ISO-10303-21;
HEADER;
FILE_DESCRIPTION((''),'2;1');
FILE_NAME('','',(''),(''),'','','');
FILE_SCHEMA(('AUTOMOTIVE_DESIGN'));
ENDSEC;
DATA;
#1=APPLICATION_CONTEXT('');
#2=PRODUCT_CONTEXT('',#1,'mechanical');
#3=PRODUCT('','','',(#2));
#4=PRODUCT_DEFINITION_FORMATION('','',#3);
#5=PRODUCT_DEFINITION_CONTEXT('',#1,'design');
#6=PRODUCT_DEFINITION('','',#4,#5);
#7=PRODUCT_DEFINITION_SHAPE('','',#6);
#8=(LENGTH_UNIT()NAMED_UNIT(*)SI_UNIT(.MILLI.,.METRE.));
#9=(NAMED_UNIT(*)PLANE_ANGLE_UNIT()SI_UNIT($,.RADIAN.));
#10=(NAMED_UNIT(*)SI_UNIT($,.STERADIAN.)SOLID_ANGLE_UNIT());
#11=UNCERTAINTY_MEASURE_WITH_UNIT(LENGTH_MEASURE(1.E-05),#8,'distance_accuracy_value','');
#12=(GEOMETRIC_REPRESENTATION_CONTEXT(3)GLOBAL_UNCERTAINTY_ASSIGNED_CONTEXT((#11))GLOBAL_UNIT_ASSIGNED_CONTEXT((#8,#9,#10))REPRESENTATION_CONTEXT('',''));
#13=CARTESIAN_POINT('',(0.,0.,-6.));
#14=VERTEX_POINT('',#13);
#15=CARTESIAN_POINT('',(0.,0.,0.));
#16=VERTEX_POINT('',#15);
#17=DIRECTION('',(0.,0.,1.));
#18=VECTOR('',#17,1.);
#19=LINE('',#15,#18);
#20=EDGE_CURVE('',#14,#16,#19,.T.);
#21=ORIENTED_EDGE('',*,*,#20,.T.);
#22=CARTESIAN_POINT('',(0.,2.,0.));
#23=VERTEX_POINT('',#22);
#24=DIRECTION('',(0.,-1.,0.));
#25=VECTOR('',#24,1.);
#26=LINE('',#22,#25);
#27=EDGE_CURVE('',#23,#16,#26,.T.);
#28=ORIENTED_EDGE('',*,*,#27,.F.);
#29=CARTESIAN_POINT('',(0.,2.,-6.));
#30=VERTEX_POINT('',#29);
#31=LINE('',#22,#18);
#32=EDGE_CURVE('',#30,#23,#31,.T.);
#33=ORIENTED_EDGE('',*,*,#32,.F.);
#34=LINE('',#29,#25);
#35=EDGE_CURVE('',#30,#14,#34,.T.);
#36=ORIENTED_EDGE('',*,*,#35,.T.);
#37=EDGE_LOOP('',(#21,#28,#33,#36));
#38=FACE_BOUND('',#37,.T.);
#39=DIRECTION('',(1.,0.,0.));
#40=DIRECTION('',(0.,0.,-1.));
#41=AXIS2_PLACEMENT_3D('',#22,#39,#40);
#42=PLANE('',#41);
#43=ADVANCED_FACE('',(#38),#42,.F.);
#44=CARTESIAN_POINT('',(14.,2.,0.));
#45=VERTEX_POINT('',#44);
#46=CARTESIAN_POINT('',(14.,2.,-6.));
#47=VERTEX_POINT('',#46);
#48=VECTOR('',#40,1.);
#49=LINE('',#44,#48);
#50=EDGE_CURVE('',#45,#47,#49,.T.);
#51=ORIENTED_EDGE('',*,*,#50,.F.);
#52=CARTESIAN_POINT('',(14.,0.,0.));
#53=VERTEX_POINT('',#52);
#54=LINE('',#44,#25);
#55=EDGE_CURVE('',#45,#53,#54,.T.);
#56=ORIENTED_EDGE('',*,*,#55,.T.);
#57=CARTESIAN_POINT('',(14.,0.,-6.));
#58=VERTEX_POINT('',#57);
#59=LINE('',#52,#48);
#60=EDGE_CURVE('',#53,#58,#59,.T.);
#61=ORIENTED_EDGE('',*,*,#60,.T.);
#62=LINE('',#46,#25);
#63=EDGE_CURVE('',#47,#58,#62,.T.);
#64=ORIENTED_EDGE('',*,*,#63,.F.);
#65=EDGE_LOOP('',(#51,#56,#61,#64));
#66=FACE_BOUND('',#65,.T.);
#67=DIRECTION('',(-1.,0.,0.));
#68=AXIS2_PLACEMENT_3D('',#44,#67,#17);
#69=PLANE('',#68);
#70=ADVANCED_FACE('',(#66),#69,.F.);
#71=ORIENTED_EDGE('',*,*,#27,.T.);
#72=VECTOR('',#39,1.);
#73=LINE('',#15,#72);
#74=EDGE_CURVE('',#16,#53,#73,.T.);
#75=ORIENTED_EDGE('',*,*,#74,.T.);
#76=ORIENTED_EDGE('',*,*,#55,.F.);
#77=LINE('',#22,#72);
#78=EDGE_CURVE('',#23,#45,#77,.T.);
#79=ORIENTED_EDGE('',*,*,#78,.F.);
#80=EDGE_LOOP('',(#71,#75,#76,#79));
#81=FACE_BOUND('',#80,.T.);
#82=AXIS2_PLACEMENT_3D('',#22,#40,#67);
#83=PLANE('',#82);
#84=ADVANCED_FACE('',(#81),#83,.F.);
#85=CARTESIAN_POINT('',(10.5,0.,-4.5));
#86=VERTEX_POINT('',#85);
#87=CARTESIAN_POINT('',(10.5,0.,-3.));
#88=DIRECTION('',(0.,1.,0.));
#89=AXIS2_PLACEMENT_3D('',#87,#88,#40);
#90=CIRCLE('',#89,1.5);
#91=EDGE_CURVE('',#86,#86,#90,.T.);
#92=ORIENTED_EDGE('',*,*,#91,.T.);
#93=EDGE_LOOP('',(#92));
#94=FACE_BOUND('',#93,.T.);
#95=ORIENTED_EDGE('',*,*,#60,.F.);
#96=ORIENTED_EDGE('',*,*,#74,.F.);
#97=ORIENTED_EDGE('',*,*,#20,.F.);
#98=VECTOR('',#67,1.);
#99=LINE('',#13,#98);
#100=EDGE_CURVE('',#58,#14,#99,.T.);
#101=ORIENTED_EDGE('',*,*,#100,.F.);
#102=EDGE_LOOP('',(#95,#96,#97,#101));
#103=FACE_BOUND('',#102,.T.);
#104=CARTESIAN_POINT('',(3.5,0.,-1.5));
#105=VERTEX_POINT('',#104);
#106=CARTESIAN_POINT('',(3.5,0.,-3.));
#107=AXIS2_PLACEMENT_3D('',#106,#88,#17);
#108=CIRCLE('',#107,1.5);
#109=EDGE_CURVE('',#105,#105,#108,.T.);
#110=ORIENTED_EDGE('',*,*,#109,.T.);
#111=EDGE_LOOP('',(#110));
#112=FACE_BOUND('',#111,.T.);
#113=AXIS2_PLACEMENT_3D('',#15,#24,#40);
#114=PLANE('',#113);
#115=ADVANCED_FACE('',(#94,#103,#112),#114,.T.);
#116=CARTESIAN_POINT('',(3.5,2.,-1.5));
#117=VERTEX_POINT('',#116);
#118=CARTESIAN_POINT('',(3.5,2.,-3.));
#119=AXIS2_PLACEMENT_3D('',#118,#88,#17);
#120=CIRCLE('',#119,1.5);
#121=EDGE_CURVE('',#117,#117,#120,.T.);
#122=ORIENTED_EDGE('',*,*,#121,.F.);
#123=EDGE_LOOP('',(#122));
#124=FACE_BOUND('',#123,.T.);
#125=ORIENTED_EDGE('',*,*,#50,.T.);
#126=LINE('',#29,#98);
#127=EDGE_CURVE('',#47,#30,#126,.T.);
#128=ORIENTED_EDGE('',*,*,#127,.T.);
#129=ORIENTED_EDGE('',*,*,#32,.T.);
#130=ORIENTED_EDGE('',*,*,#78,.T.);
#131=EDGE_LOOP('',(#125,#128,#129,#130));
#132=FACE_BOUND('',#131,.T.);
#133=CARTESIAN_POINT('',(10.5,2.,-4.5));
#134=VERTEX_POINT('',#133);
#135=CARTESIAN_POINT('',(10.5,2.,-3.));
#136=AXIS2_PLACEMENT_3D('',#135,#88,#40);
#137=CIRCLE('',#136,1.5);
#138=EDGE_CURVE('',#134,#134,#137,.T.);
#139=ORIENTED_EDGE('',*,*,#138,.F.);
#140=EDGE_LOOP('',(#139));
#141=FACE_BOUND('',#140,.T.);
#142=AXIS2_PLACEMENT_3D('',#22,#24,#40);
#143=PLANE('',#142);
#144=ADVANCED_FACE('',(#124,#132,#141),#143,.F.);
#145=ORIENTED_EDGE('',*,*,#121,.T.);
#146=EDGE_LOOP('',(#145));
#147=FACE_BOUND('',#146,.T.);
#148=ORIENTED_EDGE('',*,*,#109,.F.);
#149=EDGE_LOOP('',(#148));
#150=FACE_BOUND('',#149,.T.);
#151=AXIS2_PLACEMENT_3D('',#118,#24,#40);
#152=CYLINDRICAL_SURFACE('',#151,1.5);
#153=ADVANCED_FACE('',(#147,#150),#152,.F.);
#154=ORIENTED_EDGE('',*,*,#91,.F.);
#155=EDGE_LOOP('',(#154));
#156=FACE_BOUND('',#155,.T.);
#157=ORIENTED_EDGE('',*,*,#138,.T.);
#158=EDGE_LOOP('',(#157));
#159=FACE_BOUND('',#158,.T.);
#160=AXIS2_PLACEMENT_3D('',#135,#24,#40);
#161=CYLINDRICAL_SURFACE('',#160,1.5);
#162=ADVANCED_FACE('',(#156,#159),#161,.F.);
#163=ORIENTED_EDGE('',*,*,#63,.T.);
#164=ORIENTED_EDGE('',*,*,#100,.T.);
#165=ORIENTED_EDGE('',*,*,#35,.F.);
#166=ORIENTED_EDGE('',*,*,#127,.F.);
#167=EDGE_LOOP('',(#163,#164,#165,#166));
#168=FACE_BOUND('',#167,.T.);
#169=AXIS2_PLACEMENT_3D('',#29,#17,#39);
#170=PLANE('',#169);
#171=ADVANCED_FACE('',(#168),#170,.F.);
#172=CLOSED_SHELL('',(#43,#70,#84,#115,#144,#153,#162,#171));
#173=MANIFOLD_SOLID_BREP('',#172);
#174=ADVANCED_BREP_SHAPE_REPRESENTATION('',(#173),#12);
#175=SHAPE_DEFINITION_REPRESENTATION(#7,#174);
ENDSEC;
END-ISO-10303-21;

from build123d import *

# Parameters (mm, degrees)
SKETCH1_W           = 14
SKETCH1_H           = 6
SKETCH1_R           = 1.5
BOSS_EXTRUDE1_DEPTH = 2


with BuildPart() as part:
    # Sketch1 → Boss-Extrude1 (new body)
    with BuildSketch(Plane(origin=(0, 0, 0), x_dir=(1, 0, 0), z_dir=(0, 1, 0))):
        with Locations((7, 3)):
            Rectangle(SKETCH1_W, SKETCH1_H)
        with Locations((3.5, 3)):
            Circle(SKETCH1_R, mode=Mode.SUBTRACT)
        with Locations((10.5, 3)):
            Circle(SKETCH1_R, mode=Mode.SUBTRACT)
    extrude(amount=BOSS_EXTRUDE1_DEPTH)


solid = part.part
